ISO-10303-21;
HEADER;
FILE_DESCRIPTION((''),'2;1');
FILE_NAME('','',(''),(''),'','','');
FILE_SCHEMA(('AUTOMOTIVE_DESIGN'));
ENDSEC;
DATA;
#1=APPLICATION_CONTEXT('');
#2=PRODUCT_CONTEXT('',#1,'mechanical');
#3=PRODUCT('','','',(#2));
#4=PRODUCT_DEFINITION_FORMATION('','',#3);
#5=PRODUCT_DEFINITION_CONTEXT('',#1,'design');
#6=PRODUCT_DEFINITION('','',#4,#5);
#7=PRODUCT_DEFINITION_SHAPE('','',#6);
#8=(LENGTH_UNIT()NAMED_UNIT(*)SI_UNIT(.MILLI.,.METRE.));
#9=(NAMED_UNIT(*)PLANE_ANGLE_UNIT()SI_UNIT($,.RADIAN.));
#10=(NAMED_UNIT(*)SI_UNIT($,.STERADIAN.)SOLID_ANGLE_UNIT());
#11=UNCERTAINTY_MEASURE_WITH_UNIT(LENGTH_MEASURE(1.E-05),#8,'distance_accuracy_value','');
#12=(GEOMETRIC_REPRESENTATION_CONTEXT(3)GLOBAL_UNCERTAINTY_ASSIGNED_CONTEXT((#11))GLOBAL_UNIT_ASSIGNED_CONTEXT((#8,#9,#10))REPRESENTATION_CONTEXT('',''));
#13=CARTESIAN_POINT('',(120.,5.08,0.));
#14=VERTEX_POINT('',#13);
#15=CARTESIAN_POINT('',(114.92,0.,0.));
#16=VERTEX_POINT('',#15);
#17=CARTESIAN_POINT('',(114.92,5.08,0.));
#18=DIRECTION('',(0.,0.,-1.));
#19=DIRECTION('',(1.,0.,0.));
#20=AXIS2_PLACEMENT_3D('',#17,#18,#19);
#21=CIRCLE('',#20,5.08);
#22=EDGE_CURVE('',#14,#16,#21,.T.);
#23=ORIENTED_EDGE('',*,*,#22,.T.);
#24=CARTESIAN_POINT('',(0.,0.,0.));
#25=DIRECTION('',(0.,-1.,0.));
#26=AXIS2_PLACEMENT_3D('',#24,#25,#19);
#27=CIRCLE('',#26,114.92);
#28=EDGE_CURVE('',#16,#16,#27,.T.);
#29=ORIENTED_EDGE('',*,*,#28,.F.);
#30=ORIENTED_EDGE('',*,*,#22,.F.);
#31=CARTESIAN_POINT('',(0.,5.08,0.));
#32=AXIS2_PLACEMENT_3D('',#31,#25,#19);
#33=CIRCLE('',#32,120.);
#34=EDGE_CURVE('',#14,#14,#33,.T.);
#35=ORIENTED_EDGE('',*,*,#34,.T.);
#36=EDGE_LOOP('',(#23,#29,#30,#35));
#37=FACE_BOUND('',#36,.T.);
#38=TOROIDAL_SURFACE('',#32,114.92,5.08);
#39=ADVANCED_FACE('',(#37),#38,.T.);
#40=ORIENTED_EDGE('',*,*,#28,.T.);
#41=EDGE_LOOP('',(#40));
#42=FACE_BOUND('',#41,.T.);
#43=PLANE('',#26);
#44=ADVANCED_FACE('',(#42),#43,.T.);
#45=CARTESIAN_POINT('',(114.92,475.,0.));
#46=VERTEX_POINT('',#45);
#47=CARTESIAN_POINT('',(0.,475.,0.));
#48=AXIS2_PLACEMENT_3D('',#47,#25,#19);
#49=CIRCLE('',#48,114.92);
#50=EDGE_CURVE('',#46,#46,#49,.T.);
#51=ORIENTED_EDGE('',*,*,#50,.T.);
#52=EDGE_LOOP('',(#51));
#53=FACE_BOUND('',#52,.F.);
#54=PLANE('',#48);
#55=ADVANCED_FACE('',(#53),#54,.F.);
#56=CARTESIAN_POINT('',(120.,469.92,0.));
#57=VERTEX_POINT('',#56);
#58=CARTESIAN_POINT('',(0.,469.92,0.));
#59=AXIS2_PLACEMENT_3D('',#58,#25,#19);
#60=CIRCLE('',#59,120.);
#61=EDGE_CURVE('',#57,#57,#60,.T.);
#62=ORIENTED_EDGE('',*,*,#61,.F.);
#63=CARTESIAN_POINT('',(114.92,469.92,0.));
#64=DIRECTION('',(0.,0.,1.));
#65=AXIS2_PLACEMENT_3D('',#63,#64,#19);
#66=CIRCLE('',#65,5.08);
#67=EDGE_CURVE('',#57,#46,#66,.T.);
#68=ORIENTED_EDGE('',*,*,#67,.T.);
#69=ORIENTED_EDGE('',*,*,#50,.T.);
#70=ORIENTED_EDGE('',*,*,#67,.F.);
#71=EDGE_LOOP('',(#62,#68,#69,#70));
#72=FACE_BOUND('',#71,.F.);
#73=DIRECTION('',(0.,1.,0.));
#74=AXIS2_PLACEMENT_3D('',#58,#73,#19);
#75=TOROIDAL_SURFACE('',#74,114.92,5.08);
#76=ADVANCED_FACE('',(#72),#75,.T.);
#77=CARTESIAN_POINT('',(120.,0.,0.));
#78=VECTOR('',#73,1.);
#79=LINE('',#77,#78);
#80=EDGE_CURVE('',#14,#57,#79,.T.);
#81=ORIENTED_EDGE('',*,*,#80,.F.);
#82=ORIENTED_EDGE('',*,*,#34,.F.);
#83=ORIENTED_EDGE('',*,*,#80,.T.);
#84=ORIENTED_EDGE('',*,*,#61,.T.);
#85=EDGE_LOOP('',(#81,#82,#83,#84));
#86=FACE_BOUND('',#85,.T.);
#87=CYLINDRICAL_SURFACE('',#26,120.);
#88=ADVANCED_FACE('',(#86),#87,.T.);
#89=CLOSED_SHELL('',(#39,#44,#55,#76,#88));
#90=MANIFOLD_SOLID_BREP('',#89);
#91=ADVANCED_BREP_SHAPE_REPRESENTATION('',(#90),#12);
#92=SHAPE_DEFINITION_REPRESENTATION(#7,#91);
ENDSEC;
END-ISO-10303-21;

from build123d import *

# Parameters (mm, degrees)
F0_R     = 120
F0_R_2   = 62.5
F0_R_3   = 12.5
F1_DEPTH = 475
F2_R     = 5.08


with BuildPart() as f1:
    # F0 (on Front) → F1 (new body)
    with BuildSketch(Plane.XZ):
        Circle(F0_R)
        Circle(F0_R_2, mode=Mode.SUBTRACT)
        Circle(F0_R_2)
        Circle(F0_R_3, mode=Mode.SUBTRACT)
        Circle(F0_R_3)
    extrude(amount=-F1_DEPTH)

    # F2
    f2_edges = [f1.edges().sort_by_distance(p)[0] for p in [
        (-120, 0, 0),
        (-120, 475, 0),
    ]]
    fillet(f2_edges, radius=F2_R)


solid = f1.part
